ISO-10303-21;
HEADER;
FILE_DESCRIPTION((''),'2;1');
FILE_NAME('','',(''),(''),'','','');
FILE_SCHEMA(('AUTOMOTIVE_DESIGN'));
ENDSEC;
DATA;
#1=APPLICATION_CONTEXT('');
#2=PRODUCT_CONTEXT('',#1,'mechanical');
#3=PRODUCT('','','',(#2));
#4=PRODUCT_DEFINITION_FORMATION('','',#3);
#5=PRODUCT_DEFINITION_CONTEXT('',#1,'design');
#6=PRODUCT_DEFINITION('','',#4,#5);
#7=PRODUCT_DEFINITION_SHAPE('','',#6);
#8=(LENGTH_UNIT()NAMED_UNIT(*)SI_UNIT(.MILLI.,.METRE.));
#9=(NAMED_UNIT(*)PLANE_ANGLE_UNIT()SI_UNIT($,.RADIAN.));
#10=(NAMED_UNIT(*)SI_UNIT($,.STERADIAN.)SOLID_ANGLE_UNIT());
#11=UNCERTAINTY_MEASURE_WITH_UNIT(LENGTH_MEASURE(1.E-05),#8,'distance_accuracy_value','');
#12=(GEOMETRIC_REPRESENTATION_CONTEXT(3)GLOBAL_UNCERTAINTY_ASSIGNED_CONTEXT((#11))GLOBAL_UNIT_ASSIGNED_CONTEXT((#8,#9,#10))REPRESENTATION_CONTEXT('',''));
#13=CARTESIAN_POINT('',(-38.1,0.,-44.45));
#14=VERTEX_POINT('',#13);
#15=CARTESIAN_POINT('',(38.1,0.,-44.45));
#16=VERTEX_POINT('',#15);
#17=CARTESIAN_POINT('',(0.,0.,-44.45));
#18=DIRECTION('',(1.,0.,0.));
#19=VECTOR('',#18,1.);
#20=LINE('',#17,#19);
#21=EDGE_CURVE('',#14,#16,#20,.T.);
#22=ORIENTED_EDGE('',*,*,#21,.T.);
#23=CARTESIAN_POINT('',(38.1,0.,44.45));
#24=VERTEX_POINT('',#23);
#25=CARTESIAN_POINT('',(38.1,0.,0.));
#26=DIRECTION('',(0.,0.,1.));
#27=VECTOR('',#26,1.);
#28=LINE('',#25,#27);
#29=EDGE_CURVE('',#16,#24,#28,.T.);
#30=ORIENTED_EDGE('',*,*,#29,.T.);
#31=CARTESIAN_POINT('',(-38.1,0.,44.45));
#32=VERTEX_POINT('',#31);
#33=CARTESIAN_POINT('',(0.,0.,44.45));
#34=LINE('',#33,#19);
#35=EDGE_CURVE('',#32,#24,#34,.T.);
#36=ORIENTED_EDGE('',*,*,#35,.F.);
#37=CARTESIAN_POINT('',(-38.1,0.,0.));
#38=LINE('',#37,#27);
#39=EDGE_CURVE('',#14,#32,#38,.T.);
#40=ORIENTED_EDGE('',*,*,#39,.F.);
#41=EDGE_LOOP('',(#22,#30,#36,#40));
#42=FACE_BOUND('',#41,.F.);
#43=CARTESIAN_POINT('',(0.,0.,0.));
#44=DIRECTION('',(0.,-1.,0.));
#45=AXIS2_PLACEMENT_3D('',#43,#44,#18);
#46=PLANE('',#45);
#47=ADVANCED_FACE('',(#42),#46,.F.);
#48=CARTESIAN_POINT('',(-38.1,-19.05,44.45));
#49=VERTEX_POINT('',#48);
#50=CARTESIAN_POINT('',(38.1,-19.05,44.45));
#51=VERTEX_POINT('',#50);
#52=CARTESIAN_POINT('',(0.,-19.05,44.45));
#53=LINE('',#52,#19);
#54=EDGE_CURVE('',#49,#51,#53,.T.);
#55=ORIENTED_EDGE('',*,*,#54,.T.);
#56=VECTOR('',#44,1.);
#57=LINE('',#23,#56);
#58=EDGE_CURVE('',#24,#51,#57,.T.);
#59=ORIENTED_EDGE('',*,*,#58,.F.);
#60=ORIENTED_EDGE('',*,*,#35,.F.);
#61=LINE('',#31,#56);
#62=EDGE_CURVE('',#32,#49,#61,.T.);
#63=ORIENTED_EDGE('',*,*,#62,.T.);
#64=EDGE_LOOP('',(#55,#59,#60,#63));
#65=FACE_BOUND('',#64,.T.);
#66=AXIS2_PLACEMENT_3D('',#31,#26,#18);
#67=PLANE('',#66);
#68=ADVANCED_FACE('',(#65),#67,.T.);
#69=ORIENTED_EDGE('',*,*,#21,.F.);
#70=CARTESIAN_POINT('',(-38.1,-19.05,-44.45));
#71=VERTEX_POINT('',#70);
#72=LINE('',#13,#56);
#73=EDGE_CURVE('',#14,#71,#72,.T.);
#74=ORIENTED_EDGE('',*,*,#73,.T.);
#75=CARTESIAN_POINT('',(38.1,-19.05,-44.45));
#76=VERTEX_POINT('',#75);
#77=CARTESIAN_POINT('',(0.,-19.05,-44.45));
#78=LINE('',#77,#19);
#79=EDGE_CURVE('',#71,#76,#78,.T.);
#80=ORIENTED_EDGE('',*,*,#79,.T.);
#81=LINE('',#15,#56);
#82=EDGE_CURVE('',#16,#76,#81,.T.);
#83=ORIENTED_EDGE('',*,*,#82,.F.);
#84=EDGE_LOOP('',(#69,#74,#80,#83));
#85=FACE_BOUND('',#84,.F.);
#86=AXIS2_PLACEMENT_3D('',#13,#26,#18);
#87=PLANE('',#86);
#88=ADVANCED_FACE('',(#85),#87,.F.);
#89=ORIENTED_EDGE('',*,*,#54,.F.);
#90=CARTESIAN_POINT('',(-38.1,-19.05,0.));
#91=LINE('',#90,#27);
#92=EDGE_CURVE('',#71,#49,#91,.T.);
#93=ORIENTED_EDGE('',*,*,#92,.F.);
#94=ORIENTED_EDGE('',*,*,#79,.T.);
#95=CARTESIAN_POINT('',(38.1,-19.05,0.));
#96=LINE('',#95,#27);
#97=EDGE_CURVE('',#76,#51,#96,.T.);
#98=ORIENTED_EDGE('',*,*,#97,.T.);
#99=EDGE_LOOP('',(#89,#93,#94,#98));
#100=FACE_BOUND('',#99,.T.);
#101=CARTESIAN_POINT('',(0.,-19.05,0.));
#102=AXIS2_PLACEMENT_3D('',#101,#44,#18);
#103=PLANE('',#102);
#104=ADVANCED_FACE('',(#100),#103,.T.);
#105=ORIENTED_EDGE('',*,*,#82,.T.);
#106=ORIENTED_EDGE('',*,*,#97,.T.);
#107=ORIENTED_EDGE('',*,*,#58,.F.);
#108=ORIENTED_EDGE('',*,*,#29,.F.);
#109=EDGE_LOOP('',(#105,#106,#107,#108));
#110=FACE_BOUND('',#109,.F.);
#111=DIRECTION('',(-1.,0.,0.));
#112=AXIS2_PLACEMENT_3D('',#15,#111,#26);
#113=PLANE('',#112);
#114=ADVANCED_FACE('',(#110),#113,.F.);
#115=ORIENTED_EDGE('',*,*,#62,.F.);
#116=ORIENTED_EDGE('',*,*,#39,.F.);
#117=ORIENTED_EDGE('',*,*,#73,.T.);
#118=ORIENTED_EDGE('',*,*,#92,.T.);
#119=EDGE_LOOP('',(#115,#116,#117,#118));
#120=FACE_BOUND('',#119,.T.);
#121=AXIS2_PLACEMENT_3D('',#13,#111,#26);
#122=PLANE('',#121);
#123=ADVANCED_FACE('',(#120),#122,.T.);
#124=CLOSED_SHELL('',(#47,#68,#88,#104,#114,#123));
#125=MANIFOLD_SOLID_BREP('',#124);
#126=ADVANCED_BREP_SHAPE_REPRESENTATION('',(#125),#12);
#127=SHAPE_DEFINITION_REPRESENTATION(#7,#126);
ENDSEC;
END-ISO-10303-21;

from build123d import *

# Parameters (mm, degrees)
SKETCH_W  = 76.2
SKETCH_H  = 88.9
PAD_DEPTH = 19.05


with BuildPart() as part:
    # Sketch → Pad (new body)
    with BuildSketch(Plane.XZ):
        Rectangle(SKETCH_W, SKETCH_H)
    extrude(amount=PAD_DEPTH)


solid = part.part
